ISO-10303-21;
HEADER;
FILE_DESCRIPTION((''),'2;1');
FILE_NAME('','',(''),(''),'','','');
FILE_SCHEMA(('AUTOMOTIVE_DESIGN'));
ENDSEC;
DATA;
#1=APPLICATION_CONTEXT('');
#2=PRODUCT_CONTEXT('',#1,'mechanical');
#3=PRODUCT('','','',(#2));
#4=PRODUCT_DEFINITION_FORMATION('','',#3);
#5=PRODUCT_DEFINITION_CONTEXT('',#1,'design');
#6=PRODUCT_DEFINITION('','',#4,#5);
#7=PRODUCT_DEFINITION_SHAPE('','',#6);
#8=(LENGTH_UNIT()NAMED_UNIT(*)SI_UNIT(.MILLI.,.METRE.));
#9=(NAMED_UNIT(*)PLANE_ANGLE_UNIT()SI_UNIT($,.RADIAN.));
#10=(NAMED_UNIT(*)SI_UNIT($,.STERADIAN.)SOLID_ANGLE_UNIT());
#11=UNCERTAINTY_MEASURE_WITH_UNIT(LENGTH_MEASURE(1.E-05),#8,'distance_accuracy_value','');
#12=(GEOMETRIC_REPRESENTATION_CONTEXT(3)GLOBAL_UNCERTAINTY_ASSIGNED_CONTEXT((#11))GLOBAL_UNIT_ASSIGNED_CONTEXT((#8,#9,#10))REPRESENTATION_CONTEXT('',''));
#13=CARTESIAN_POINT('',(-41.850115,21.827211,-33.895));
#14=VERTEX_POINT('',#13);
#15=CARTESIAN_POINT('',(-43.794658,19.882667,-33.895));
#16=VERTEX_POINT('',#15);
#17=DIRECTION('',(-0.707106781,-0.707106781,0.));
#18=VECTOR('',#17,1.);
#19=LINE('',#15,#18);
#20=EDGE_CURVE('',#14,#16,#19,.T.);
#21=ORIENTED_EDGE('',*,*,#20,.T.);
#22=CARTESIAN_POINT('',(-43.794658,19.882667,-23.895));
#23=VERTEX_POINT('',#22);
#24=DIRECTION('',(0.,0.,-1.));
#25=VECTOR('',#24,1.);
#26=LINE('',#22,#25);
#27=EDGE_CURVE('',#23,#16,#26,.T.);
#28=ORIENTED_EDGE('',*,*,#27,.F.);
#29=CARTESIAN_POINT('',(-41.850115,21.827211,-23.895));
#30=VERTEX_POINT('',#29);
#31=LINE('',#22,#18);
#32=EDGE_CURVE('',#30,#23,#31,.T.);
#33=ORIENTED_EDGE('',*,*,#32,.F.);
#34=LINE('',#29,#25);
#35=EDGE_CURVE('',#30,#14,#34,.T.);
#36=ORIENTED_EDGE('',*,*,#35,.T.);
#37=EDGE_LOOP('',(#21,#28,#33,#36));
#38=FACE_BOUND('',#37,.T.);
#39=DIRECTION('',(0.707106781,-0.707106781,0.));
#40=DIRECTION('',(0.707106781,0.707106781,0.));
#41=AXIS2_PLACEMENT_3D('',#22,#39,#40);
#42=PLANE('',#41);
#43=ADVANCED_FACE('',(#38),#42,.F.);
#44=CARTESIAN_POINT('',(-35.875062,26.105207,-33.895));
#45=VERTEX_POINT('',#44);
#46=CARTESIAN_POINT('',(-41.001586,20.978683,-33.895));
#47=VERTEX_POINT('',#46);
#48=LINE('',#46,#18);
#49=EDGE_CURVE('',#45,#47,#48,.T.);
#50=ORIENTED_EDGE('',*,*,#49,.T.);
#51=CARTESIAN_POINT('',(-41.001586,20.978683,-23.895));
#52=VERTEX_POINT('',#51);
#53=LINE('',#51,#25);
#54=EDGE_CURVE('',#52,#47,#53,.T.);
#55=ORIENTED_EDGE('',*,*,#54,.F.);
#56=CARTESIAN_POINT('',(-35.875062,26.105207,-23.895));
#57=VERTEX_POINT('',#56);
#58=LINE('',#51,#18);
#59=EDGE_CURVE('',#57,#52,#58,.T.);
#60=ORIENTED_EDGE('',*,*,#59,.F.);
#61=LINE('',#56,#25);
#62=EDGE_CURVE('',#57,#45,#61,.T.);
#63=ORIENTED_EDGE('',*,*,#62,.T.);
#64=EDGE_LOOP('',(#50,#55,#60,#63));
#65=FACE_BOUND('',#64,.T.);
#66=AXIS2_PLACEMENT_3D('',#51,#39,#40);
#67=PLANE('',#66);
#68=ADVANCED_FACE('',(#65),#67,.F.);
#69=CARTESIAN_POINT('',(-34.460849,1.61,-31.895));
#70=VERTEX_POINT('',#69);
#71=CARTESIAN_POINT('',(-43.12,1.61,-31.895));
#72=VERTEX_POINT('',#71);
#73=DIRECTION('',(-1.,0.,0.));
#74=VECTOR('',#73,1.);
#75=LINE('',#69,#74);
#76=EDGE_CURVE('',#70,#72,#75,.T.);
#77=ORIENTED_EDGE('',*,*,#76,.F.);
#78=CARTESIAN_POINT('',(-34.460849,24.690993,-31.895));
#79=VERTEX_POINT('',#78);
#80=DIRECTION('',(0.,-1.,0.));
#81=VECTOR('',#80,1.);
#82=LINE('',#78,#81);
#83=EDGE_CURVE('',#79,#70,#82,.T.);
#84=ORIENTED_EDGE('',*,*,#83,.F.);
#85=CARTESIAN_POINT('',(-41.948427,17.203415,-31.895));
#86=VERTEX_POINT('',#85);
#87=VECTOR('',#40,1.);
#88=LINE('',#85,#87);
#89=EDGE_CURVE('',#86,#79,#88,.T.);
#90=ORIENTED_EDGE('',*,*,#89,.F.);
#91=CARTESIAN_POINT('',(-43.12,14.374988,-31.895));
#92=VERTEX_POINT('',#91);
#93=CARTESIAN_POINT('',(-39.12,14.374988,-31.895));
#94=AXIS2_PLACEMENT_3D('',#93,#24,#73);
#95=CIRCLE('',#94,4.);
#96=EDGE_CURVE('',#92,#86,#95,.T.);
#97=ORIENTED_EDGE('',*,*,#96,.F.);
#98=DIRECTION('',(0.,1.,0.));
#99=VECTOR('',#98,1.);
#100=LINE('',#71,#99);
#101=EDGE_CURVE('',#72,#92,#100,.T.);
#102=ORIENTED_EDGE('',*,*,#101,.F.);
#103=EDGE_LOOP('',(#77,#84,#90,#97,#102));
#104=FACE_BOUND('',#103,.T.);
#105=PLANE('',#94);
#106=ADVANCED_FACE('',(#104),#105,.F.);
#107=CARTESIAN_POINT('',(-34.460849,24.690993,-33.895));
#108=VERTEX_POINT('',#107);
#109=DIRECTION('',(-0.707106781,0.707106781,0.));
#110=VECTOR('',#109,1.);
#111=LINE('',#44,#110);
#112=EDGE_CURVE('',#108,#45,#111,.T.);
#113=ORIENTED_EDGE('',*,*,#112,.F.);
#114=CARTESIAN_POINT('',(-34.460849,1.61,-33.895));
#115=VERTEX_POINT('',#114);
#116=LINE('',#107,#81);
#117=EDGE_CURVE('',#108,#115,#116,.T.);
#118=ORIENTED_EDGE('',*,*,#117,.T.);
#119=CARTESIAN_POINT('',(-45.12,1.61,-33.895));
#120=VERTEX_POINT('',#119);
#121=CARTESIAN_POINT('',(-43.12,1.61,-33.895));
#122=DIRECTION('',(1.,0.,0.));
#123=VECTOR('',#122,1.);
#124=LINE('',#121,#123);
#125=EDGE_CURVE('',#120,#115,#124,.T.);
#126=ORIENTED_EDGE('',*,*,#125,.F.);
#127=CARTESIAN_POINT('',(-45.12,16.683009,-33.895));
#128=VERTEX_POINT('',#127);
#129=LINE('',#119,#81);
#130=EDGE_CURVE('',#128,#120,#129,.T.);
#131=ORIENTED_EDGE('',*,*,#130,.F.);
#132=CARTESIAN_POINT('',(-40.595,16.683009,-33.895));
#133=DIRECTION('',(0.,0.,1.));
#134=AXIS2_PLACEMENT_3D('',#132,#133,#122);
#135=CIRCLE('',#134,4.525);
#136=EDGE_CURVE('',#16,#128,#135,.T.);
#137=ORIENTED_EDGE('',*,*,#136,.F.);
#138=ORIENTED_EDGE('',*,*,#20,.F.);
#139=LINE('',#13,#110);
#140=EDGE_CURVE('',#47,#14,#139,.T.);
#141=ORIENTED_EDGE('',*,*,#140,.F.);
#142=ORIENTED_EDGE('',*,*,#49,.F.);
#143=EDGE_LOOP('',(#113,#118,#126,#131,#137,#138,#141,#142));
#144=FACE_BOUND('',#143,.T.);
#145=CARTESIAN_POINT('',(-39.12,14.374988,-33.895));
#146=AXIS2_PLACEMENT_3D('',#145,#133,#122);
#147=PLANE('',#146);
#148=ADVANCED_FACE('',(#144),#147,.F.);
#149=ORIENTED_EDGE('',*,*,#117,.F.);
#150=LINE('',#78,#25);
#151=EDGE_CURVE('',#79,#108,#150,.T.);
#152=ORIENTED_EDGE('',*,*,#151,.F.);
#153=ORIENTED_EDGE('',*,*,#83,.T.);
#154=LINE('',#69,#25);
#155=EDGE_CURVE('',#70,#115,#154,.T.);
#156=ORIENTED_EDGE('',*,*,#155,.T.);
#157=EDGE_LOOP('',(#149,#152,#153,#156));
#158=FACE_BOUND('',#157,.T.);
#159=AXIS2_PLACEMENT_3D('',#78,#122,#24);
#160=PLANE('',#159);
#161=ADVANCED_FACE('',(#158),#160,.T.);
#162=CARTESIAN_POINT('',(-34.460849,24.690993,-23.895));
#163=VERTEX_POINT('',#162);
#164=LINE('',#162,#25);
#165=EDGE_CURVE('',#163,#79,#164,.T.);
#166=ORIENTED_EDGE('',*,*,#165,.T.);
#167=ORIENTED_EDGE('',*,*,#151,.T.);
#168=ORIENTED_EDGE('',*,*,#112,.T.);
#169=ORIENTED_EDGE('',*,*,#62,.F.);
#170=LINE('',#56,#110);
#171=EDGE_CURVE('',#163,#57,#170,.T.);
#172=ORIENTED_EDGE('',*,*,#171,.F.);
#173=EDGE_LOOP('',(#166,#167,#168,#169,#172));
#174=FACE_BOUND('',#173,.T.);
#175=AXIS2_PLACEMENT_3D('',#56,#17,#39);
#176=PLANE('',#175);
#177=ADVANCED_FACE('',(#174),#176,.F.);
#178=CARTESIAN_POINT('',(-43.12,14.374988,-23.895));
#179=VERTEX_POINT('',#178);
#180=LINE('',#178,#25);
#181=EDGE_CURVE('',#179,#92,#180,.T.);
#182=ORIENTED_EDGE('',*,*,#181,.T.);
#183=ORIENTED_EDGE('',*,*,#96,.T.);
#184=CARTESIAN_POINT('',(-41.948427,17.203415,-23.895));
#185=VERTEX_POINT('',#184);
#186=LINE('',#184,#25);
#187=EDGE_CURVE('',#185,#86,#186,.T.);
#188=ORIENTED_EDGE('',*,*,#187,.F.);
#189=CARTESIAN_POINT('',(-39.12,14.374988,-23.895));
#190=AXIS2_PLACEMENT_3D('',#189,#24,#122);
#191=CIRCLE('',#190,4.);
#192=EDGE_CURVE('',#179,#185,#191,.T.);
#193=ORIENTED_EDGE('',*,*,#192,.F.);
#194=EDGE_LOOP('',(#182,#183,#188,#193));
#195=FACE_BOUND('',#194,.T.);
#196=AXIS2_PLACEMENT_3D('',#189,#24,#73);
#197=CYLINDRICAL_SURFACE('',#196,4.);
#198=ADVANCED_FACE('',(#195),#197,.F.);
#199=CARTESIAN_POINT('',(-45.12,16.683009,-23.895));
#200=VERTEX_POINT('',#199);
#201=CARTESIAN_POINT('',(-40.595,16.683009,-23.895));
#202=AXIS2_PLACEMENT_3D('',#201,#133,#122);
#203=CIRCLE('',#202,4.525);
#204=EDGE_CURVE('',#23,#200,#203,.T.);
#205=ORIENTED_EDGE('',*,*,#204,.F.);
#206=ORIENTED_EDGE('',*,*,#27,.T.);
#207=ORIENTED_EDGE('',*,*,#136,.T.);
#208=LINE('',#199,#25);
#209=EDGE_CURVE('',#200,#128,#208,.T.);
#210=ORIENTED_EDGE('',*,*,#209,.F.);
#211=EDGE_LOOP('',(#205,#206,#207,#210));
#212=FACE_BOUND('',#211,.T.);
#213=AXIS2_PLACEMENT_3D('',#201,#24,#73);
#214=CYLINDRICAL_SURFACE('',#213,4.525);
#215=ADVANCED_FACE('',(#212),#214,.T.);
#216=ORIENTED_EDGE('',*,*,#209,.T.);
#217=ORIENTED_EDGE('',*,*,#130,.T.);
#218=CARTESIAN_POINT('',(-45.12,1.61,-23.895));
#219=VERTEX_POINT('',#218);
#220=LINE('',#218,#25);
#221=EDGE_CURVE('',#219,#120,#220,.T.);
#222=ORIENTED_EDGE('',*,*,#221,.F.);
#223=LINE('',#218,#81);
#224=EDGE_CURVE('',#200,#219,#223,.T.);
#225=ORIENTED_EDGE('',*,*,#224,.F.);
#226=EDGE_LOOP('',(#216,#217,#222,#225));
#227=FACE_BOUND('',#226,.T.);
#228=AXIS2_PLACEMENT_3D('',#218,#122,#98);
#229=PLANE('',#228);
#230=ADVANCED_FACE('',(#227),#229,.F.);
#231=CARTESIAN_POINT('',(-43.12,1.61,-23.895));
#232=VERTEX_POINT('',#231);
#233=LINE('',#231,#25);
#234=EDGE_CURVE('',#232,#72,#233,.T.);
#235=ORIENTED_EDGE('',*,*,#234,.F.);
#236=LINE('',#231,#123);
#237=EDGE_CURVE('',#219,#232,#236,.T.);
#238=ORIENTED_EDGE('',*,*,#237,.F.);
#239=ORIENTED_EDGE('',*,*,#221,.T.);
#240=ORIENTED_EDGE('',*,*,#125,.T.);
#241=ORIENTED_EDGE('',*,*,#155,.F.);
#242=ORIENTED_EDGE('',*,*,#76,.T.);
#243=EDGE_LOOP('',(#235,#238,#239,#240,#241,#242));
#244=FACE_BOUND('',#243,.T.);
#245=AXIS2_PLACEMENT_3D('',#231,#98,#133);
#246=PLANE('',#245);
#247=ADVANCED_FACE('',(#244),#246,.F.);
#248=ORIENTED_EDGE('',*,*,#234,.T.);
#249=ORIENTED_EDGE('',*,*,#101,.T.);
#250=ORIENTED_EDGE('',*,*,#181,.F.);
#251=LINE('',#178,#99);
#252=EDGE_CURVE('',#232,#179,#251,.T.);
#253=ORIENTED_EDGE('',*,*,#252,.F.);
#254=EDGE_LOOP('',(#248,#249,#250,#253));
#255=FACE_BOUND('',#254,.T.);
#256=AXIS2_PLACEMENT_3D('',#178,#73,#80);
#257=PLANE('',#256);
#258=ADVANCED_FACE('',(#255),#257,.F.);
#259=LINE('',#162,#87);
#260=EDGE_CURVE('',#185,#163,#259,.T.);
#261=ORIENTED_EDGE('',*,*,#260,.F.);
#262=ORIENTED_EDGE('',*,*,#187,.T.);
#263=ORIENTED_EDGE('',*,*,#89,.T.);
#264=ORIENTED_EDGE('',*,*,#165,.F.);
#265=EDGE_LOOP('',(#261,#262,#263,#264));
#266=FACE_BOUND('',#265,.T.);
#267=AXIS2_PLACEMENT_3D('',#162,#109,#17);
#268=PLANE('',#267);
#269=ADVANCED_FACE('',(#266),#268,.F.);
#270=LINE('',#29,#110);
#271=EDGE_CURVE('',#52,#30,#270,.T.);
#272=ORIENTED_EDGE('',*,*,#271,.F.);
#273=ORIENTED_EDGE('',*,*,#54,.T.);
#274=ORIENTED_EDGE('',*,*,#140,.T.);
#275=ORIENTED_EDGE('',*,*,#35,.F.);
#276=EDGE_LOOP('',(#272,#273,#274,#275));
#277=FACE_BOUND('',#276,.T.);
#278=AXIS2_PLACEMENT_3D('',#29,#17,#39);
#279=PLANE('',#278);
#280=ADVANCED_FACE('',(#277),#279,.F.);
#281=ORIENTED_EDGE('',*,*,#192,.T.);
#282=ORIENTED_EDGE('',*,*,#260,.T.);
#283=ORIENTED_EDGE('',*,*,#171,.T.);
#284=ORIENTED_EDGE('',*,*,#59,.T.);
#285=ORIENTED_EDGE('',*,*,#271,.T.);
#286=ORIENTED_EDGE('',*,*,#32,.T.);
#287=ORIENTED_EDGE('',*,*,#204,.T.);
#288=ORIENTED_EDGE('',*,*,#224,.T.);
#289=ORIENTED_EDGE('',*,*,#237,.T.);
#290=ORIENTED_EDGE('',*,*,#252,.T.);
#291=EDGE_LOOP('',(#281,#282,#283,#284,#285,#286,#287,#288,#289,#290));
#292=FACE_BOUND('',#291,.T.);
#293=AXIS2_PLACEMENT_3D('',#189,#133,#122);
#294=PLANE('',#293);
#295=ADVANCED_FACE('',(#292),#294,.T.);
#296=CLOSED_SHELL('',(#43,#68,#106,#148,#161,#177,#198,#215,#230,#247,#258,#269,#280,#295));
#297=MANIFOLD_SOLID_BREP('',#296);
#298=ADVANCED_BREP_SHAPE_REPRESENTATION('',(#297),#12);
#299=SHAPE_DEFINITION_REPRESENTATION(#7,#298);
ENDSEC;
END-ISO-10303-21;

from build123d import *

# Parameters (mm, degrees)
BOSS_EXTRUDE1_DEPTH = 5
BOSS_EXTRUDE2_START = -2
BOSS_EXTRUDE2_DEPTH = 2


with BuildPart() as part:
    # Sketch2 → Boss-Extrude1 (new, symmetric)
    with BuildSketch(Plane(origin=(-44.395698949, 24.726348819, -28.895), x_dir=(0.707106781186551, -0.7071067811865441, 0), z_dir=(0, 0, 1))):
        with BuildLine():
            Line((5.05, 7), (7.05, 7))
            Line((7.05, 7), (7.05, -3.589034995))
            ThreePointArc((7.05, -3.589034995), (7.35448187, -5.119768725), (8.221572875, -6.41746212))
            Line((8.221572875, -6.41746212), (17.247782384, -15.443671629))
            Line((17.247782384, -15.443671629), (15.833568821, -16.857885191))
            Line((15.833568821, -16.857885191), (5.175341815, -6.199658185))
            ThreePointArc((5.175341815, -6.199658185), (4.194445115, -4.731642531), (3.85, -3))
            Line((3.85, -3), (3.85, -0.25))
            Line((3.85, -0.25), (5.05, -0.25))
            Line((5.05, -0.25), (5.05, 7))
        make_face()
    extrude(amount=BOSS_EXTRUDE1_DEPTH, both=True)

    # Sketch3 → Boss-Extrude2 (add)
    with BuildSketch(Plane(origin=(0, 0, -33.895), x_dir=(-1, 0, 0), z_dir=(0, 0, -1)).offset(BOSS_EXTRUDE2_START)):
        with BuildLine():
            Line((34.460848673, 24.69099348), (34.460848673, 1.61))
            Line((34.460848673, 1.61), (43.12, 1.61))
            Line((43.12, 1.61), (43.12, 14.374987904))
            ThreePointArc((43.12, 14.374987904), (42.81551813, 15.905721633), (41.948427125, 17.203415028))
            Line((41.948427125, 17.203415028), (34.460848673, 24.69099348))
        make_face()
    extrude(amount=BOSS_EXTRUDE2_DEPTH)


solid = part.part
